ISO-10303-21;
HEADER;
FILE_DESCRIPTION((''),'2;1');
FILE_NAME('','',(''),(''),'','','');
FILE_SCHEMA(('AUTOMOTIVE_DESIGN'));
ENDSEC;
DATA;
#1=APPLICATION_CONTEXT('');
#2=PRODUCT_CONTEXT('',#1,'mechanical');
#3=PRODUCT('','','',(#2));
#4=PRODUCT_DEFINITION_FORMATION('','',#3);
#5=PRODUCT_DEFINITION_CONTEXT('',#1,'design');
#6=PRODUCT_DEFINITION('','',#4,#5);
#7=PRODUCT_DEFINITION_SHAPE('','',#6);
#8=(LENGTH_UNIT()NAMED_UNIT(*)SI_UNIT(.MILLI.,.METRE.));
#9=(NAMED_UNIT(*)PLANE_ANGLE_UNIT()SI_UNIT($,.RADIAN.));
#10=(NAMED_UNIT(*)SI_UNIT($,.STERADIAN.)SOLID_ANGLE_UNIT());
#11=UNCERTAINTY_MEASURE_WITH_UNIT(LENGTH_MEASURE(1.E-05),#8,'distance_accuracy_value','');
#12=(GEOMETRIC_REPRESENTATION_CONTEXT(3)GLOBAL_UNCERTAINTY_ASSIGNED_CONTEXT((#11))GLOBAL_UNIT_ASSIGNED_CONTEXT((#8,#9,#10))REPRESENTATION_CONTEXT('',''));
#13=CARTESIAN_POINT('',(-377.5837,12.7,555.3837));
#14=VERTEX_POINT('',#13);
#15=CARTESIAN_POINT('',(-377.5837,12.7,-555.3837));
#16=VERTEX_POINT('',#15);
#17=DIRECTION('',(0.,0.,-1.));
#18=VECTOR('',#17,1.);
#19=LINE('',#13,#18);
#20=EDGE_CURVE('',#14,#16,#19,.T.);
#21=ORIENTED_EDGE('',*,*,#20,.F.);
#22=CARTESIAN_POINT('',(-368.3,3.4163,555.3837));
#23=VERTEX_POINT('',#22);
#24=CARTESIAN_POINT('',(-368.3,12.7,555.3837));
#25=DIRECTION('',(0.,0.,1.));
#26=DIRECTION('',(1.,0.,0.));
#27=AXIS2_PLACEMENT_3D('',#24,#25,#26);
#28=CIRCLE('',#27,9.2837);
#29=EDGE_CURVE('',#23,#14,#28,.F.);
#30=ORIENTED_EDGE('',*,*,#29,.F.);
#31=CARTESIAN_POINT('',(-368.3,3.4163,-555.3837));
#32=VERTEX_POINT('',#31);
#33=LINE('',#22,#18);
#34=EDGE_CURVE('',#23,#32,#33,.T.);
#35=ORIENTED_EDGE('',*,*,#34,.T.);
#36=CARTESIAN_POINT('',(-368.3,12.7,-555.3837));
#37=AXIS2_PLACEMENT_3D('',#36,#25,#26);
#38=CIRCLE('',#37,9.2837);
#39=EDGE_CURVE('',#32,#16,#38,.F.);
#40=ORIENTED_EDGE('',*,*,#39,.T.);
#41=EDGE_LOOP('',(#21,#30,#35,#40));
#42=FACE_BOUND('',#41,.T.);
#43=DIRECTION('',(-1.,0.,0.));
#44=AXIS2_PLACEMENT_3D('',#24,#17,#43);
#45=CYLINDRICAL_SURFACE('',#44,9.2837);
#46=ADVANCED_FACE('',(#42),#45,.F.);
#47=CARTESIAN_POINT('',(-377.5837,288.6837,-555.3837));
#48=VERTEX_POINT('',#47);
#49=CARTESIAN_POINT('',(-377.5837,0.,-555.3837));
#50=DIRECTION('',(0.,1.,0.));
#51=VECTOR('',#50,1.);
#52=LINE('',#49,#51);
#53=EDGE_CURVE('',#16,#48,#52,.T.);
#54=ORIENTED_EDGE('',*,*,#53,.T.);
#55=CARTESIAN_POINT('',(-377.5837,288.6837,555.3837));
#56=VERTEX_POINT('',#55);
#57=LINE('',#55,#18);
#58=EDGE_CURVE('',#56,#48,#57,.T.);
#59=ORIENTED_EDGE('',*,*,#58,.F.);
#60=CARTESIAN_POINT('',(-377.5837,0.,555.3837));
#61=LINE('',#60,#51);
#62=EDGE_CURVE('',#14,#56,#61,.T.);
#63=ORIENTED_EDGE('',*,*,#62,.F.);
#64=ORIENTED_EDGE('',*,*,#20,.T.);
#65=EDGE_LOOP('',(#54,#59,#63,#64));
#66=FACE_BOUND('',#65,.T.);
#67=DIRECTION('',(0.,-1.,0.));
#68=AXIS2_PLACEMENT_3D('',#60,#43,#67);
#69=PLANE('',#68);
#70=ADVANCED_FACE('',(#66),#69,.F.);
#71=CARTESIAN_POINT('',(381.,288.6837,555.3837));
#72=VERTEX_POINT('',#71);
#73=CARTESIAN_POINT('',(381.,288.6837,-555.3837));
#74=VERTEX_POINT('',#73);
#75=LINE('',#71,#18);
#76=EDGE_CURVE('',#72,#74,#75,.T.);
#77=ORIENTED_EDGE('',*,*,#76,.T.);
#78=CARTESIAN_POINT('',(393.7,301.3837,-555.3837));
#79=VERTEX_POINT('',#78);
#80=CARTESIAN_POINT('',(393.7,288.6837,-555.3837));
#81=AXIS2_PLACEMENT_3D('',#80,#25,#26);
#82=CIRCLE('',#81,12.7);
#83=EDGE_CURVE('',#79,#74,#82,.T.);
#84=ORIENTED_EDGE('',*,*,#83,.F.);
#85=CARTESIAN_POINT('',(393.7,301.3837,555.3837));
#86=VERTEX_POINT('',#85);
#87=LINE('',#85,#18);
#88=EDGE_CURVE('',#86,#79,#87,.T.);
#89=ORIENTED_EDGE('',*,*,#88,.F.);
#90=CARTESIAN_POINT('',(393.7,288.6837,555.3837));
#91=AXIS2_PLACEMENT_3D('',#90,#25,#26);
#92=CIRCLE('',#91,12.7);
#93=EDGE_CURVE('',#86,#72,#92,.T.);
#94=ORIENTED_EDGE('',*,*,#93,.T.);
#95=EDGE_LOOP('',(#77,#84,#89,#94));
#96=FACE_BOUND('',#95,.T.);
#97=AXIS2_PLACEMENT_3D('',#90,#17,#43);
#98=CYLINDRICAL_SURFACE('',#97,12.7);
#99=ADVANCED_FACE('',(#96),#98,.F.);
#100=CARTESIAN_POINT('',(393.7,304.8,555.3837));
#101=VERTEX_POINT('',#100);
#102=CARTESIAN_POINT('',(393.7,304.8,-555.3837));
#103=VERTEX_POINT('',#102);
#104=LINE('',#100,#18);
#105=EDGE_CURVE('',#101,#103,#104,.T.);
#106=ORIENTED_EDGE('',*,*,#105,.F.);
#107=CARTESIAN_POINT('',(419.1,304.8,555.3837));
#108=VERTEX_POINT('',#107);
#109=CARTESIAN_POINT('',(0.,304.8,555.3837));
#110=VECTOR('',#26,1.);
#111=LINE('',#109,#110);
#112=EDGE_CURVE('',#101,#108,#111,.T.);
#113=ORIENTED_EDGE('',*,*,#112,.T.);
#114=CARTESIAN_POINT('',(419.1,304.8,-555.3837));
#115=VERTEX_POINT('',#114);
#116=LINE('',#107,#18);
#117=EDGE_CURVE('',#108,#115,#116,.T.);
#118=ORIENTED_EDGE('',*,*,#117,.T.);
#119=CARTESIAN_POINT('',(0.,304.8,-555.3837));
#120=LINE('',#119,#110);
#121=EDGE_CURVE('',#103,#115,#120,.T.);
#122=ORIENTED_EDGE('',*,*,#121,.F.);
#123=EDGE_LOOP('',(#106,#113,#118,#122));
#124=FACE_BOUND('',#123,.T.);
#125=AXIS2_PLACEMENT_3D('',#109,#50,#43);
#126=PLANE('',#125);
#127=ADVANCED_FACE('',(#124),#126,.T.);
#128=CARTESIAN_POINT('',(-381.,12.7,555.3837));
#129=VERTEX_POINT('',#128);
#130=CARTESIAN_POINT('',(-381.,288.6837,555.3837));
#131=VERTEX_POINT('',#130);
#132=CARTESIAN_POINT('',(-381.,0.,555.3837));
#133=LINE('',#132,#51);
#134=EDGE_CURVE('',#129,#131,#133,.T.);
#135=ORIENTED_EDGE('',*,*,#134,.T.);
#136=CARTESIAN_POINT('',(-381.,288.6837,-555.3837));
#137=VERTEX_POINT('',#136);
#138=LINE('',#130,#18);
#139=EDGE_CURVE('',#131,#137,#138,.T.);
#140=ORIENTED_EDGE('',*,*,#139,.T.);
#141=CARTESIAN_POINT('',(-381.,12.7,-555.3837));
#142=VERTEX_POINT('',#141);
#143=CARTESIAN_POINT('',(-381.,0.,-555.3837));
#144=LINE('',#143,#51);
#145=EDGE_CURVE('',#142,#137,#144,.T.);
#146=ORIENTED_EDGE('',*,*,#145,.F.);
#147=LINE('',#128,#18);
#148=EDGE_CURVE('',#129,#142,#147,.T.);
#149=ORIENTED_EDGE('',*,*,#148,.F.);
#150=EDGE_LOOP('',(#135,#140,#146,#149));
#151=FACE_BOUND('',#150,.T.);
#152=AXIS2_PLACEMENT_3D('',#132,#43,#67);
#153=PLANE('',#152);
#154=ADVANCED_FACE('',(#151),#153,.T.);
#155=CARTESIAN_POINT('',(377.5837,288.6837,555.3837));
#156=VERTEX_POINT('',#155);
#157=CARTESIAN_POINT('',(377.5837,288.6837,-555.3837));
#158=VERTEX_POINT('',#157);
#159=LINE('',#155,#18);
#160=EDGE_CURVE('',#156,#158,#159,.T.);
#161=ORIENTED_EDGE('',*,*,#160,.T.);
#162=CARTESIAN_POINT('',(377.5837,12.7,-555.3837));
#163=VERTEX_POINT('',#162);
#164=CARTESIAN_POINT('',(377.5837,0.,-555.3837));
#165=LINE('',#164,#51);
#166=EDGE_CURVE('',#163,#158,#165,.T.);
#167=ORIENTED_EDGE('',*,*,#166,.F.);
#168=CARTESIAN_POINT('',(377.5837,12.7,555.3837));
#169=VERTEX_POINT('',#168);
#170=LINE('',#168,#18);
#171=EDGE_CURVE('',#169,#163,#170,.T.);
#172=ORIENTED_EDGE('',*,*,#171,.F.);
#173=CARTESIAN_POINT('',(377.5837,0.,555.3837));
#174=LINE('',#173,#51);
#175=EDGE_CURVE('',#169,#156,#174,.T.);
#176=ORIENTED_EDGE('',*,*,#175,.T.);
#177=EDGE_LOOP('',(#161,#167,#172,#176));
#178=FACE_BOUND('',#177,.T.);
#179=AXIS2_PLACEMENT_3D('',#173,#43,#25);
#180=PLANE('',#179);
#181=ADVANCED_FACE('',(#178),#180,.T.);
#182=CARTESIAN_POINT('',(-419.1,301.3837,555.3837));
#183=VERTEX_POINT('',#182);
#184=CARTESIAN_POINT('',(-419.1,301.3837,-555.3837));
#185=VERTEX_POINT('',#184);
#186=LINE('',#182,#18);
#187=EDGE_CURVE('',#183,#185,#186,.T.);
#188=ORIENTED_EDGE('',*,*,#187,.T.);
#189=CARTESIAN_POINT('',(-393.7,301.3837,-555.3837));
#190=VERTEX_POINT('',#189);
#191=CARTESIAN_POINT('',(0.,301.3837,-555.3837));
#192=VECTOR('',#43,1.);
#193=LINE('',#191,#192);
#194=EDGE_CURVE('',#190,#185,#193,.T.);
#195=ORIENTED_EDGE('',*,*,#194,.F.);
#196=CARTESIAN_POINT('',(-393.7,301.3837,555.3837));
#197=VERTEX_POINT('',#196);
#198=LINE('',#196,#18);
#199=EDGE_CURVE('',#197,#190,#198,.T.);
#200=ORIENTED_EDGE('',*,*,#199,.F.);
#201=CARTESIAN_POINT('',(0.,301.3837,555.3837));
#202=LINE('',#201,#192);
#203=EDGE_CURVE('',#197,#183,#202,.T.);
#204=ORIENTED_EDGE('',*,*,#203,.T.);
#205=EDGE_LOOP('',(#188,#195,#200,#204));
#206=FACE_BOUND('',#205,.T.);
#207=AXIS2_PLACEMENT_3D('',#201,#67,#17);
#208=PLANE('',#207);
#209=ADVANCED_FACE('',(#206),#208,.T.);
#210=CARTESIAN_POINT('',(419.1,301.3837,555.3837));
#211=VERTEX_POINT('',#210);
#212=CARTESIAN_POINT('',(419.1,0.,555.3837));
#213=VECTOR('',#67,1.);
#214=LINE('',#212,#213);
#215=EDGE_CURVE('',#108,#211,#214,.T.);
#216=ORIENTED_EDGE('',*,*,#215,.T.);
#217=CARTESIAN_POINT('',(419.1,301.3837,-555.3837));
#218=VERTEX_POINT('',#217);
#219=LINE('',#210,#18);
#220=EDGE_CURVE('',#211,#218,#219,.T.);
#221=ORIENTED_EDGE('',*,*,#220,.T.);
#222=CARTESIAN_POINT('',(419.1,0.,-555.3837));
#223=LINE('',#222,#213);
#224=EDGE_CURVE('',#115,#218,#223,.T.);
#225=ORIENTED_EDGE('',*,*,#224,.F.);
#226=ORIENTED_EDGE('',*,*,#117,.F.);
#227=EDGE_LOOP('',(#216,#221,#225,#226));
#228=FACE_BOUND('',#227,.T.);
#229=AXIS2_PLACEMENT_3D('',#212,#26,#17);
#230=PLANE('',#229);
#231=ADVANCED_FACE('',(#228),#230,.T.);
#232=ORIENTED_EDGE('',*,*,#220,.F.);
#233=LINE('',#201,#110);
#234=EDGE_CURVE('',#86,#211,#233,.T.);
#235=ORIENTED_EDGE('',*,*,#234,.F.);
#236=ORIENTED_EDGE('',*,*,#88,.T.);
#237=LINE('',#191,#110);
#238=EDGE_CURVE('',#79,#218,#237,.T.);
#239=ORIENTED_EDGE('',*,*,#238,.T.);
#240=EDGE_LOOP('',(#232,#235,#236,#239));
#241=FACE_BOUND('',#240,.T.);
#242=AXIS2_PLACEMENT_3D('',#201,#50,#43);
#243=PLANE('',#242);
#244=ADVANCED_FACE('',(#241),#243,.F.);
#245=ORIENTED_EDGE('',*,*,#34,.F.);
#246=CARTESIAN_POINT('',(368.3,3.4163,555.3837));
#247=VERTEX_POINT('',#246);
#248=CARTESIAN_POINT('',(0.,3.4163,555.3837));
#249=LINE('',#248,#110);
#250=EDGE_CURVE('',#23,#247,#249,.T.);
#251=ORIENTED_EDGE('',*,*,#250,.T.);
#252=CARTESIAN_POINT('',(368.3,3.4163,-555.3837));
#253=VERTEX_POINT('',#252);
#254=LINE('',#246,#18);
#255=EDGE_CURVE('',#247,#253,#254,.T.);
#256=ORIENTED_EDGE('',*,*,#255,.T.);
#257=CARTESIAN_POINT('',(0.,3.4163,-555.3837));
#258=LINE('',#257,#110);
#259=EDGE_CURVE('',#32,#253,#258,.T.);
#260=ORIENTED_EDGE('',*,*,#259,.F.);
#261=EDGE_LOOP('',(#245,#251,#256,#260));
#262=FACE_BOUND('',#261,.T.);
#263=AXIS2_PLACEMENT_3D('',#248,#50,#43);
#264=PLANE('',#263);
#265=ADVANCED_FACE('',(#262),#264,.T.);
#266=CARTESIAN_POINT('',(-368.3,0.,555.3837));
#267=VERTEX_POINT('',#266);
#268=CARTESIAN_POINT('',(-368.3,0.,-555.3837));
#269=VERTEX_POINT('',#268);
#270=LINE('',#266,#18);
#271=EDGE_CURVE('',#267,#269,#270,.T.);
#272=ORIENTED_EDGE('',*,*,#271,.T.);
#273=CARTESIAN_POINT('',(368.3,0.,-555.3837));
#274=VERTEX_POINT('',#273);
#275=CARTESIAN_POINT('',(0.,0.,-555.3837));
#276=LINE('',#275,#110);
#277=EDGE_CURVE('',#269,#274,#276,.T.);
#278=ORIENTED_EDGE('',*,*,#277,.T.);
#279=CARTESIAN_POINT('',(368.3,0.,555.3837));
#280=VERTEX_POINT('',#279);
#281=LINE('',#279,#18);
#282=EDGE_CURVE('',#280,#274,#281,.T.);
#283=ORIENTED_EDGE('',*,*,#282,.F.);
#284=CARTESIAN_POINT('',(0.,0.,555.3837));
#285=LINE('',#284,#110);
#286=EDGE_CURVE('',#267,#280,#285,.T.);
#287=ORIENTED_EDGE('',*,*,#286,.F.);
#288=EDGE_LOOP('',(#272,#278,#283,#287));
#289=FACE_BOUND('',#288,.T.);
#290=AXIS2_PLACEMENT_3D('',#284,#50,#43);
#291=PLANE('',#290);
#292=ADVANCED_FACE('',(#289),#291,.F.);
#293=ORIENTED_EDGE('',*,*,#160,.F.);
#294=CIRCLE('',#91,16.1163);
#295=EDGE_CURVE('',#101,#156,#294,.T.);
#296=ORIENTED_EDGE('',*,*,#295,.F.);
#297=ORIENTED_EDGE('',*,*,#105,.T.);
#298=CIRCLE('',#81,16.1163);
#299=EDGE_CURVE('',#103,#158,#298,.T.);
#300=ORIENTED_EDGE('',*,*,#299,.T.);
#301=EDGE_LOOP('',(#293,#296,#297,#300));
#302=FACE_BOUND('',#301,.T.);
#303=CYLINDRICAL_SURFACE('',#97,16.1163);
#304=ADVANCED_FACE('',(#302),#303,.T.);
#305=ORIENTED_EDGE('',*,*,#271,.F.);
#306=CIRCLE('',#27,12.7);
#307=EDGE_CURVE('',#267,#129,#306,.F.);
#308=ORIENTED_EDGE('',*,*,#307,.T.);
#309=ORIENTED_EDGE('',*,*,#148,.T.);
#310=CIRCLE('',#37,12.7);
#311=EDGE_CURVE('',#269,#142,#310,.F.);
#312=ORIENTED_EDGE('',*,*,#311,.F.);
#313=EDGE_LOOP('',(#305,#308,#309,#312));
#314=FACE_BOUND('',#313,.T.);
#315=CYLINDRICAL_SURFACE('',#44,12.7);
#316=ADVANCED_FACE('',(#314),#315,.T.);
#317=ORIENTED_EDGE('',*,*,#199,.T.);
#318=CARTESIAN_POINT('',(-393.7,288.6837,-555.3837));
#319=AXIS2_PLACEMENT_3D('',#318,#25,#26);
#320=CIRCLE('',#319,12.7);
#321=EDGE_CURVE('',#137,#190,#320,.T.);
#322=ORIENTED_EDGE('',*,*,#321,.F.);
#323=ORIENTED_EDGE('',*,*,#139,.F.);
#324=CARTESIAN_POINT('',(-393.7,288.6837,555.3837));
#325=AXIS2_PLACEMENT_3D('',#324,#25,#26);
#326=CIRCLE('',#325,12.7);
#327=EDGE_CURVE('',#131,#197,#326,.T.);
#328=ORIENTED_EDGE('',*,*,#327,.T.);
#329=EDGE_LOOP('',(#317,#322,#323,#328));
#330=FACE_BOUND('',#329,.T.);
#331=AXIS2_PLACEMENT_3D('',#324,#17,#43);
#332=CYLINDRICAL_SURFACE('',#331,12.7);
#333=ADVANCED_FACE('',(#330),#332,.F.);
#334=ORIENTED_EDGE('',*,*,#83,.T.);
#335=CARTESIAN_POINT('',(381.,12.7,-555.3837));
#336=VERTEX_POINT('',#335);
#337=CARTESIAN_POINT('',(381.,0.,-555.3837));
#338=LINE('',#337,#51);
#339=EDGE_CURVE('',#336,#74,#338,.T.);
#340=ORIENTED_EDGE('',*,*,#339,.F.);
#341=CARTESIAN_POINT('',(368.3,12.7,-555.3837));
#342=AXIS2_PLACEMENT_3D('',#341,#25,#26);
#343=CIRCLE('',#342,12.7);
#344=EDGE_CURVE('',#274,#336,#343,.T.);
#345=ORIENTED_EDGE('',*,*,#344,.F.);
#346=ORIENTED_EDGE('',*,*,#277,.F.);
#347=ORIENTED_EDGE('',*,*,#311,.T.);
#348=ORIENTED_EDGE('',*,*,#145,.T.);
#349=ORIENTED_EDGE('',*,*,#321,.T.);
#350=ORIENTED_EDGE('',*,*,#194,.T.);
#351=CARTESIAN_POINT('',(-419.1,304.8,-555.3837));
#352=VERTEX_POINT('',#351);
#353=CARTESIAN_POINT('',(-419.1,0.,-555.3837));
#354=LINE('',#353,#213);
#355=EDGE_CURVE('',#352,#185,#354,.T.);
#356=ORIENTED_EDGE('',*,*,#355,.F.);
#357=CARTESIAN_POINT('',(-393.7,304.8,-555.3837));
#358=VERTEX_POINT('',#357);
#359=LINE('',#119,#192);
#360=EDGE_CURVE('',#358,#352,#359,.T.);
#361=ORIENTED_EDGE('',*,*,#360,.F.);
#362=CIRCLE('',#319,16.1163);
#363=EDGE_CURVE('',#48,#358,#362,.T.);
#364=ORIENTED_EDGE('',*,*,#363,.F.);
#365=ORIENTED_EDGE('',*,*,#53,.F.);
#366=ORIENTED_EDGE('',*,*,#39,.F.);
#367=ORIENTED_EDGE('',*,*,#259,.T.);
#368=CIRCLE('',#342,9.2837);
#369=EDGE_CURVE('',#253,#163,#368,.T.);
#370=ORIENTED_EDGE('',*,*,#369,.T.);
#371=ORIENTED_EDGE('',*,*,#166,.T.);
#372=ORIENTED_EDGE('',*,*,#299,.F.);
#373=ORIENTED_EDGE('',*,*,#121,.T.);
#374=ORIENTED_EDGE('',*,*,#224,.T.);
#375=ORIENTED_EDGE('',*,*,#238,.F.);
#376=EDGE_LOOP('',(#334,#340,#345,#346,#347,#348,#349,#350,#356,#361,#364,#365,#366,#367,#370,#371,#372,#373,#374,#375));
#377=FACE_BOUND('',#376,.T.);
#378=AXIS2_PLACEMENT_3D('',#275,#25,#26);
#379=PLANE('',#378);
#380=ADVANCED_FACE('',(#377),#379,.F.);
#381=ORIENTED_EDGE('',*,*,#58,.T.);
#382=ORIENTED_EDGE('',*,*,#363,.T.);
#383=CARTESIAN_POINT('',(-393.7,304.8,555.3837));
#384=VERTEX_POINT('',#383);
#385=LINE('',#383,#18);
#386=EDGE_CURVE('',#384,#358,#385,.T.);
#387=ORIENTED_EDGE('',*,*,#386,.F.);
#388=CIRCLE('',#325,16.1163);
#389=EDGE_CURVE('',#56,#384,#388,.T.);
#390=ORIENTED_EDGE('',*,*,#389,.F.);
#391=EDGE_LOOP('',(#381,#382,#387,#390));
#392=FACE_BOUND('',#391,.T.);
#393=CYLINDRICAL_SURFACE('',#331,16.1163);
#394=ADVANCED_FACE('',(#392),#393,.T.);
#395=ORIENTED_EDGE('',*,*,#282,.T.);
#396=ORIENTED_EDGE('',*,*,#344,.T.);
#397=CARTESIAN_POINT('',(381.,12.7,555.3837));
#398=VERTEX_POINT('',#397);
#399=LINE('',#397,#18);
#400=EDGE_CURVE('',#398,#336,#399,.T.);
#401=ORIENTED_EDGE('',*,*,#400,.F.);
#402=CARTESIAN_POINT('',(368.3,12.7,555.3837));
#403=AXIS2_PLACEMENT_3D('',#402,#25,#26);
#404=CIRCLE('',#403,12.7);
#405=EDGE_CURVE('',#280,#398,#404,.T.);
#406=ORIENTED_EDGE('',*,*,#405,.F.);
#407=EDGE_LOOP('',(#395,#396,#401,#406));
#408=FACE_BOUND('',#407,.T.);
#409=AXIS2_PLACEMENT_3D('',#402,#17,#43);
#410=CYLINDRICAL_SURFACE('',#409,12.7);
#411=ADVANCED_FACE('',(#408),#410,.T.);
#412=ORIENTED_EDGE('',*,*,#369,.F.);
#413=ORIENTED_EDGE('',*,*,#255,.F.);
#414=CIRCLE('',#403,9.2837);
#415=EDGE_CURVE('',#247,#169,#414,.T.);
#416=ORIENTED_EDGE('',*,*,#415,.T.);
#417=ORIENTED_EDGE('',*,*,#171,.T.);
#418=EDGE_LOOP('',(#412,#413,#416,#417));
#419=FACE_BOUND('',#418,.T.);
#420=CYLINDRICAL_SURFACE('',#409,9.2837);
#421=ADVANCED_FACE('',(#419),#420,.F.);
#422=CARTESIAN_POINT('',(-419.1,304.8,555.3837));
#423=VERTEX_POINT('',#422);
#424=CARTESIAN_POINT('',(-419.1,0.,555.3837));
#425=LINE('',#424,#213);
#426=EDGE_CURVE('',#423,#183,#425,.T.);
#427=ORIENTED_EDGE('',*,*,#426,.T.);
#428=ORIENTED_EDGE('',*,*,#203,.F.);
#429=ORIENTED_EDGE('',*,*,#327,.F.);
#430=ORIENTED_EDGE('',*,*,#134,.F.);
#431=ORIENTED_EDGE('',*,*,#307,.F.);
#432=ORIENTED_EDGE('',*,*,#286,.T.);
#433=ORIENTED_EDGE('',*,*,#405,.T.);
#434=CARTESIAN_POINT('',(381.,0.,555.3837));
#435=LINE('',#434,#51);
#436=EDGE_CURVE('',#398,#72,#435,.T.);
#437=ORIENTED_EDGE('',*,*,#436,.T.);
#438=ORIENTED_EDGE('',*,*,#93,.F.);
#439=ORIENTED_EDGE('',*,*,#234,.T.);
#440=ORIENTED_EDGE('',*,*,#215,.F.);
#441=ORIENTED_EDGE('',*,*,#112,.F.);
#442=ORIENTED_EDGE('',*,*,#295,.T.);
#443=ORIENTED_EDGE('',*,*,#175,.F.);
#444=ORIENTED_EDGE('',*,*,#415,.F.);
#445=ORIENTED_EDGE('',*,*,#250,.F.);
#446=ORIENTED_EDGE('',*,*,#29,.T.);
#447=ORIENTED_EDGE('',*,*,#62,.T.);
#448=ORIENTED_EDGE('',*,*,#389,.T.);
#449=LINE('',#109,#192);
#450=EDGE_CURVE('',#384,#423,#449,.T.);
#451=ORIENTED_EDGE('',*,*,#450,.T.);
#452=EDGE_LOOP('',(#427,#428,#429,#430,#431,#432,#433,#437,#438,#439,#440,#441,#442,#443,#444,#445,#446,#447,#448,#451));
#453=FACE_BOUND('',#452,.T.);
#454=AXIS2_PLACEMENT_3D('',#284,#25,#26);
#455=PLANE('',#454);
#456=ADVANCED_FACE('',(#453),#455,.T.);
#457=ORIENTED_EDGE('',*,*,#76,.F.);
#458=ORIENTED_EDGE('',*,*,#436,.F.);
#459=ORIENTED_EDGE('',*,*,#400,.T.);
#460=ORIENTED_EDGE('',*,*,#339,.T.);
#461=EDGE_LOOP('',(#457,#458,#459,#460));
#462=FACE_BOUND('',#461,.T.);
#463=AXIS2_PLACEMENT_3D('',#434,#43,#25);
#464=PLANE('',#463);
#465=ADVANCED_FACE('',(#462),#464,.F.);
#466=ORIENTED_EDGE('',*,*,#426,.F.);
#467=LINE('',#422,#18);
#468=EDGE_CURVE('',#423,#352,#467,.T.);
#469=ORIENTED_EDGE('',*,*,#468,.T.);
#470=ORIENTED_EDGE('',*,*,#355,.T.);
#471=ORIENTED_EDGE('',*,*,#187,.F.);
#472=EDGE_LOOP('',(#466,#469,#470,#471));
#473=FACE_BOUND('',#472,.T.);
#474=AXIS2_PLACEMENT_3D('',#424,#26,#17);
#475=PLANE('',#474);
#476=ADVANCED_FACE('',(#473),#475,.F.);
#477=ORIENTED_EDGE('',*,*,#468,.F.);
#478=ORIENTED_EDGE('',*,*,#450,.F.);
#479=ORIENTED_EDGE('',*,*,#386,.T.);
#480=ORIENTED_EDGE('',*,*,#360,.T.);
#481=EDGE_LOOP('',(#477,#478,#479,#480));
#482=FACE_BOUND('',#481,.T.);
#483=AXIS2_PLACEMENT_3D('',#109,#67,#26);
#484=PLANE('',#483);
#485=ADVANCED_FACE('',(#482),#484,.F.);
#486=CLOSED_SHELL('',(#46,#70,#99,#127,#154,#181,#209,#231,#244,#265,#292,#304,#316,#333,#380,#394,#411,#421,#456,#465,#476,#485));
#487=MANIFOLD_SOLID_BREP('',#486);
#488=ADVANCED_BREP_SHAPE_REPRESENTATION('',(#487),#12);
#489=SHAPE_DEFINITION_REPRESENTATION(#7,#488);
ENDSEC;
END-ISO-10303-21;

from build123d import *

# Parameters (mm, degrees)
BASE_DEPTH = 555.3837


with BuildPart() as part:
    # Sketch1 → Base (new body, symmetric)
    with BuildSketch(Plane.XY):
        with BuildLine():
            Line((-377.5837, 12.7), (-377.5837, 288.6837))
            ThreePointArc((-377.5837, 288.6837), (-382.304054982, 300.079645018), (-393.7, 304.8))
            Line((-393.7, 304.8), (-419.1, 304.8))
            Line((-419.1, 304.8), (-419.1, 301.3837))
            Line((-419.1, 301.3837), (-393.7, 301.3837))
            ThreePointArc((-393.7, 301.3837), (-384.719743879, 297.663956121), (-381, 288.6837))
            Line((-381, 288.6837), (-381, 12.7))
            ThreePointArc((-381, 12.7), (-377.280256121, 3.719743879), (-368.3, 0))
            Line((-368.3, 0), (368.3, 0))
            ThreePointArc((368.3, 0), (377.280256121, 3.719743879), (381, 12.7))
            Line((381, 12.7), (381, 288.6837))
            ThreePointArc((381, 288.6837), (384.719743879, 297.663956121), (393.7, 301.3837))
            Line((393.7, 301.3837), (419.1, 301.3837))
            Line((419.1, 301.3837), (419.1, 304.8))
            Line((419.1, 304.8), (393.7, 304.8))
            ThreePointArc((393.7, 304.8), (382.304054982, 300.079645018), (377.5837, 288.6837))
            Line((377.5837, 288.6837), (377.5837, 12.7))
            ThreePointArc((377.5837, 12.7), (374.864567225, 6.135432775), (368.3, 3.4163))
            Line((368.3, 3.4163), (-368.3, 3.4163))
            ThreePointArc((-368.3, 3.4163), (-374.864567225, 6.135432775), (-377.5837, 12.7))
        make_face()
    extrude(amount=BASE_DEPTH, both=True)


solid = part.part
